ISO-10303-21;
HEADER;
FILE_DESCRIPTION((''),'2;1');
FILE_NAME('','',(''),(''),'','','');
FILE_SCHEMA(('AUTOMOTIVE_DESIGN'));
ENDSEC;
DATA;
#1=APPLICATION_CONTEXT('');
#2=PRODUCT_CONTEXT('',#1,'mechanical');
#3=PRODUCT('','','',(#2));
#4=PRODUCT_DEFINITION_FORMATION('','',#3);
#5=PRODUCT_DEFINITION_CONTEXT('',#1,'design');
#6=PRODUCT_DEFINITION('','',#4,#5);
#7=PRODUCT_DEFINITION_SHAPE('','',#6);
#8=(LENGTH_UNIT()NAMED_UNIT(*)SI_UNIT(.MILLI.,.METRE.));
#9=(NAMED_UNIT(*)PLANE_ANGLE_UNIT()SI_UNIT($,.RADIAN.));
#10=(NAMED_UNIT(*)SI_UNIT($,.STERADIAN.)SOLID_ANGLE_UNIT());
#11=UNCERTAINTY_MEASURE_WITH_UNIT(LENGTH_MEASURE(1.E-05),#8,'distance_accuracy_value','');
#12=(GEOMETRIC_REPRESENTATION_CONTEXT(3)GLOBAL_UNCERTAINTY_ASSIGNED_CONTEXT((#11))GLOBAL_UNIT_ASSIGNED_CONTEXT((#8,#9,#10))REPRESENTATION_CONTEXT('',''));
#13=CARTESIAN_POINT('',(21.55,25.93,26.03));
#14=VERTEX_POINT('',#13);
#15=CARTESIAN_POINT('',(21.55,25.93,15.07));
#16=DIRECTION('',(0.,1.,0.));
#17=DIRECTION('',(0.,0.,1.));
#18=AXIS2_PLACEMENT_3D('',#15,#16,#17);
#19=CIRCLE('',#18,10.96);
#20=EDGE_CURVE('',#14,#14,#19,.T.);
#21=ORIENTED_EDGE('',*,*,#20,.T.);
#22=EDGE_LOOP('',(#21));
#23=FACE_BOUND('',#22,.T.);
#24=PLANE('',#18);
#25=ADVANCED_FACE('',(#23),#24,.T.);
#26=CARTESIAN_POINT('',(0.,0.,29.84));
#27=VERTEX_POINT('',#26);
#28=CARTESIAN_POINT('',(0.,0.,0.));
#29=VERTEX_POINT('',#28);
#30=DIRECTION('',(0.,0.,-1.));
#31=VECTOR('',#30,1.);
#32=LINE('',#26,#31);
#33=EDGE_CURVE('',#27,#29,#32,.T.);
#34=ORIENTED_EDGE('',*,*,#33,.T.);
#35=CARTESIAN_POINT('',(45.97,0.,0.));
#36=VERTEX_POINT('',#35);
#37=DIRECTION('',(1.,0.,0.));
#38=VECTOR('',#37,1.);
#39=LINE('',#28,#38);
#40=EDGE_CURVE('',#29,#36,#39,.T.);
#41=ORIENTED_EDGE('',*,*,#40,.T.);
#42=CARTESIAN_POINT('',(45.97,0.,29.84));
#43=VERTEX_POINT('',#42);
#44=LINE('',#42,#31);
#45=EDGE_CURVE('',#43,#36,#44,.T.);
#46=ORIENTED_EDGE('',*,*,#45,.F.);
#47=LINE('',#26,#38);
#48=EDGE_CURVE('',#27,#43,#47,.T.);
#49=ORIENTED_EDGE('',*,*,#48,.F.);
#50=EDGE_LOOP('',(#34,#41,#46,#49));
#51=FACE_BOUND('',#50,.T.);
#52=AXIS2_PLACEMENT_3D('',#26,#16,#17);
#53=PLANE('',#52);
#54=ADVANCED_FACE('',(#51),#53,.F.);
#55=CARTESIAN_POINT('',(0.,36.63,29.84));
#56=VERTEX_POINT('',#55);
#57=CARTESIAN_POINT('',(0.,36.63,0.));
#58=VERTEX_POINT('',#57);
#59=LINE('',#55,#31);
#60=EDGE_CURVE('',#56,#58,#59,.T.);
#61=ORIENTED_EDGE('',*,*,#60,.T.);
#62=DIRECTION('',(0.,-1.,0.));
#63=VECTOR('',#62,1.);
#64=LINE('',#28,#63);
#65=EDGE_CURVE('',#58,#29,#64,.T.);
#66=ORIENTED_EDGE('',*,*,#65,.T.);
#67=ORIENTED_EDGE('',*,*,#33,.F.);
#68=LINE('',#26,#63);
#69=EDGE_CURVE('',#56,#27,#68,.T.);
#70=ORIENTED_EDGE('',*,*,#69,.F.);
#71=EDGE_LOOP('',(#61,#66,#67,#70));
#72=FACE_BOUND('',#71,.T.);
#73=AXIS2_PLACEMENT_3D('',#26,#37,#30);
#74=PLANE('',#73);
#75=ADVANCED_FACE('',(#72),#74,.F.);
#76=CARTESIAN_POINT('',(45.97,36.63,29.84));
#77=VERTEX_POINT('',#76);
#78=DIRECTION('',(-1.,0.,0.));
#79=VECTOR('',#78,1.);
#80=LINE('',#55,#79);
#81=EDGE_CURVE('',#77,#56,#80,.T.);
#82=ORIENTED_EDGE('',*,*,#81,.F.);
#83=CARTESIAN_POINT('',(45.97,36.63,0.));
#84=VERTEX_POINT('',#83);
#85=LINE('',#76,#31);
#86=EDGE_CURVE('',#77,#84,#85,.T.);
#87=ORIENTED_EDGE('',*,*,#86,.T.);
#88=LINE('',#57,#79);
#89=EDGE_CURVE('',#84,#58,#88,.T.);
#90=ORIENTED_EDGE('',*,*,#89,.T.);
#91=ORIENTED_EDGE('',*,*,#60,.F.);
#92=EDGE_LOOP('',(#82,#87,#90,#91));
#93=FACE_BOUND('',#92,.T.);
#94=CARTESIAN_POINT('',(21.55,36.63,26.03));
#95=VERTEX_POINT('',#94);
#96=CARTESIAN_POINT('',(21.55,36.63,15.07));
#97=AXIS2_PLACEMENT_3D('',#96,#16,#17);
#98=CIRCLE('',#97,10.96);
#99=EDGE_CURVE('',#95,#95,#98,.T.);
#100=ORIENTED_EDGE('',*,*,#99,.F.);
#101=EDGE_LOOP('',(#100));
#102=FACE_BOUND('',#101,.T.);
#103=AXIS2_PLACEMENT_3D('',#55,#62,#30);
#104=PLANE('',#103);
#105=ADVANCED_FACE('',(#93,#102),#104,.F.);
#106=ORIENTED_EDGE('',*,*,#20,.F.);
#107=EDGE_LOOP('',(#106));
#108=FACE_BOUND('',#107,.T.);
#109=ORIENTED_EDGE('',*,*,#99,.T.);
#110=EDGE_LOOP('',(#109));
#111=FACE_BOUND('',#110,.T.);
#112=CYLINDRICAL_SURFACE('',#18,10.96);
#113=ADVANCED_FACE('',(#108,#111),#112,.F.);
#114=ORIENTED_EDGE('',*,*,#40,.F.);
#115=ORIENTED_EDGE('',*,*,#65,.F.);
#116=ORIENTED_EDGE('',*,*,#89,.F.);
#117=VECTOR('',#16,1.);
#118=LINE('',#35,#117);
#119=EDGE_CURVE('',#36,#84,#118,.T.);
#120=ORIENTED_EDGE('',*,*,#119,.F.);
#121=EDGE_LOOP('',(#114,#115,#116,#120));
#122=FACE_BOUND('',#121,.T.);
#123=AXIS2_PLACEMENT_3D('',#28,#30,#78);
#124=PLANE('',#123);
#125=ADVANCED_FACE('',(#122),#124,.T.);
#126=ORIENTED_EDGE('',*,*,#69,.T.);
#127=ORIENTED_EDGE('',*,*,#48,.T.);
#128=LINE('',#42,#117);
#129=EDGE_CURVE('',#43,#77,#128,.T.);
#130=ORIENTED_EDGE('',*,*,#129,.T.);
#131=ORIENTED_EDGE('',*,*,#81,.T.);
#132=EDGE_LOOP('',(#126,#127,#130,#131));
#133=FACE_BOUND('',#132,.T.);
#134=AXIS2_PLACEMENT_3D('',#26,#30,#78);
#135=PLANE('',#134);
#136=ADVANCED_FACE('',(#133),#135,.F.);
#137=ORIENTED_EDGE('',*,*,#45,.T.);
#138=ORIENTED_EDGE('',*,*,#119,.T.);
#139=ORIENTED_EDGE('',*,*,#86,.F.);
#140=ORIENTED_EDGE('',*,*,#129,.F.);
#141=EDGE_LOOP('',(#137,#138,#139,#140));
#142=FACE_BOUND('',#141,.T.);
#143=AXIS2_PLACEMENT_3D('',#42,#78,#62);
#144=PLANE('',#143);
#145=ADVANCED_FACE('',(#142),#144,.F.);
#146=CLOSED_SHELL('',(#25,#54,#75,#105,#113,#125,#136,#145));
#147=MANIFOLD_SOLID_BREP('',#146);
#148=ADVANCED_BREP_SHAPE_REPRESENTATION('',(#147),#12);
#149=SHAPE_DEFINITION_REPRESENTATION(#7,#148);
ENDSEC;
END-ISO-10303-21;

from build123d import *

# Parameters (mm, degrees)
ESQUISSE1_W             = 45.97
ESQUISSE1_H             = 36.63
BOSS_EXTRU_1_DEPTH      = 29.84
ESQUISSE2_R             = 10.96
ENL_V_MAT_EXTRU_1_DEPTH = 10.7


with BuildPart() as part:
    # Esquisse1 → Boss.-Extru.1 (new body)
    with BuildSketch(Plane.XY):
        with Locations((22.985, 18.315)):
            Rectangle(ESQUISSE1_W, ESQUISSE1_H)
    extrude(amount=BOSS_EXTRU_1_DEPTH)

    # Esquisse2 → Enlèv. mat.-Extru.1 (cut)
    with BuildSketch(Plane(origin=(0, 36.63, 0), x_dir=(1, 0, 0), z_dir=(0, 1, 0))):
        with Locations(Location((21.55, -15.07, 0), (0, 0, 270))):
            Circle(ESQUISSE2_R)
    extrude(amount=-ENL_V_MAT_EXTRU_1_DEPTH, mode=Mode.SUBTRACT)


solid = part.part
